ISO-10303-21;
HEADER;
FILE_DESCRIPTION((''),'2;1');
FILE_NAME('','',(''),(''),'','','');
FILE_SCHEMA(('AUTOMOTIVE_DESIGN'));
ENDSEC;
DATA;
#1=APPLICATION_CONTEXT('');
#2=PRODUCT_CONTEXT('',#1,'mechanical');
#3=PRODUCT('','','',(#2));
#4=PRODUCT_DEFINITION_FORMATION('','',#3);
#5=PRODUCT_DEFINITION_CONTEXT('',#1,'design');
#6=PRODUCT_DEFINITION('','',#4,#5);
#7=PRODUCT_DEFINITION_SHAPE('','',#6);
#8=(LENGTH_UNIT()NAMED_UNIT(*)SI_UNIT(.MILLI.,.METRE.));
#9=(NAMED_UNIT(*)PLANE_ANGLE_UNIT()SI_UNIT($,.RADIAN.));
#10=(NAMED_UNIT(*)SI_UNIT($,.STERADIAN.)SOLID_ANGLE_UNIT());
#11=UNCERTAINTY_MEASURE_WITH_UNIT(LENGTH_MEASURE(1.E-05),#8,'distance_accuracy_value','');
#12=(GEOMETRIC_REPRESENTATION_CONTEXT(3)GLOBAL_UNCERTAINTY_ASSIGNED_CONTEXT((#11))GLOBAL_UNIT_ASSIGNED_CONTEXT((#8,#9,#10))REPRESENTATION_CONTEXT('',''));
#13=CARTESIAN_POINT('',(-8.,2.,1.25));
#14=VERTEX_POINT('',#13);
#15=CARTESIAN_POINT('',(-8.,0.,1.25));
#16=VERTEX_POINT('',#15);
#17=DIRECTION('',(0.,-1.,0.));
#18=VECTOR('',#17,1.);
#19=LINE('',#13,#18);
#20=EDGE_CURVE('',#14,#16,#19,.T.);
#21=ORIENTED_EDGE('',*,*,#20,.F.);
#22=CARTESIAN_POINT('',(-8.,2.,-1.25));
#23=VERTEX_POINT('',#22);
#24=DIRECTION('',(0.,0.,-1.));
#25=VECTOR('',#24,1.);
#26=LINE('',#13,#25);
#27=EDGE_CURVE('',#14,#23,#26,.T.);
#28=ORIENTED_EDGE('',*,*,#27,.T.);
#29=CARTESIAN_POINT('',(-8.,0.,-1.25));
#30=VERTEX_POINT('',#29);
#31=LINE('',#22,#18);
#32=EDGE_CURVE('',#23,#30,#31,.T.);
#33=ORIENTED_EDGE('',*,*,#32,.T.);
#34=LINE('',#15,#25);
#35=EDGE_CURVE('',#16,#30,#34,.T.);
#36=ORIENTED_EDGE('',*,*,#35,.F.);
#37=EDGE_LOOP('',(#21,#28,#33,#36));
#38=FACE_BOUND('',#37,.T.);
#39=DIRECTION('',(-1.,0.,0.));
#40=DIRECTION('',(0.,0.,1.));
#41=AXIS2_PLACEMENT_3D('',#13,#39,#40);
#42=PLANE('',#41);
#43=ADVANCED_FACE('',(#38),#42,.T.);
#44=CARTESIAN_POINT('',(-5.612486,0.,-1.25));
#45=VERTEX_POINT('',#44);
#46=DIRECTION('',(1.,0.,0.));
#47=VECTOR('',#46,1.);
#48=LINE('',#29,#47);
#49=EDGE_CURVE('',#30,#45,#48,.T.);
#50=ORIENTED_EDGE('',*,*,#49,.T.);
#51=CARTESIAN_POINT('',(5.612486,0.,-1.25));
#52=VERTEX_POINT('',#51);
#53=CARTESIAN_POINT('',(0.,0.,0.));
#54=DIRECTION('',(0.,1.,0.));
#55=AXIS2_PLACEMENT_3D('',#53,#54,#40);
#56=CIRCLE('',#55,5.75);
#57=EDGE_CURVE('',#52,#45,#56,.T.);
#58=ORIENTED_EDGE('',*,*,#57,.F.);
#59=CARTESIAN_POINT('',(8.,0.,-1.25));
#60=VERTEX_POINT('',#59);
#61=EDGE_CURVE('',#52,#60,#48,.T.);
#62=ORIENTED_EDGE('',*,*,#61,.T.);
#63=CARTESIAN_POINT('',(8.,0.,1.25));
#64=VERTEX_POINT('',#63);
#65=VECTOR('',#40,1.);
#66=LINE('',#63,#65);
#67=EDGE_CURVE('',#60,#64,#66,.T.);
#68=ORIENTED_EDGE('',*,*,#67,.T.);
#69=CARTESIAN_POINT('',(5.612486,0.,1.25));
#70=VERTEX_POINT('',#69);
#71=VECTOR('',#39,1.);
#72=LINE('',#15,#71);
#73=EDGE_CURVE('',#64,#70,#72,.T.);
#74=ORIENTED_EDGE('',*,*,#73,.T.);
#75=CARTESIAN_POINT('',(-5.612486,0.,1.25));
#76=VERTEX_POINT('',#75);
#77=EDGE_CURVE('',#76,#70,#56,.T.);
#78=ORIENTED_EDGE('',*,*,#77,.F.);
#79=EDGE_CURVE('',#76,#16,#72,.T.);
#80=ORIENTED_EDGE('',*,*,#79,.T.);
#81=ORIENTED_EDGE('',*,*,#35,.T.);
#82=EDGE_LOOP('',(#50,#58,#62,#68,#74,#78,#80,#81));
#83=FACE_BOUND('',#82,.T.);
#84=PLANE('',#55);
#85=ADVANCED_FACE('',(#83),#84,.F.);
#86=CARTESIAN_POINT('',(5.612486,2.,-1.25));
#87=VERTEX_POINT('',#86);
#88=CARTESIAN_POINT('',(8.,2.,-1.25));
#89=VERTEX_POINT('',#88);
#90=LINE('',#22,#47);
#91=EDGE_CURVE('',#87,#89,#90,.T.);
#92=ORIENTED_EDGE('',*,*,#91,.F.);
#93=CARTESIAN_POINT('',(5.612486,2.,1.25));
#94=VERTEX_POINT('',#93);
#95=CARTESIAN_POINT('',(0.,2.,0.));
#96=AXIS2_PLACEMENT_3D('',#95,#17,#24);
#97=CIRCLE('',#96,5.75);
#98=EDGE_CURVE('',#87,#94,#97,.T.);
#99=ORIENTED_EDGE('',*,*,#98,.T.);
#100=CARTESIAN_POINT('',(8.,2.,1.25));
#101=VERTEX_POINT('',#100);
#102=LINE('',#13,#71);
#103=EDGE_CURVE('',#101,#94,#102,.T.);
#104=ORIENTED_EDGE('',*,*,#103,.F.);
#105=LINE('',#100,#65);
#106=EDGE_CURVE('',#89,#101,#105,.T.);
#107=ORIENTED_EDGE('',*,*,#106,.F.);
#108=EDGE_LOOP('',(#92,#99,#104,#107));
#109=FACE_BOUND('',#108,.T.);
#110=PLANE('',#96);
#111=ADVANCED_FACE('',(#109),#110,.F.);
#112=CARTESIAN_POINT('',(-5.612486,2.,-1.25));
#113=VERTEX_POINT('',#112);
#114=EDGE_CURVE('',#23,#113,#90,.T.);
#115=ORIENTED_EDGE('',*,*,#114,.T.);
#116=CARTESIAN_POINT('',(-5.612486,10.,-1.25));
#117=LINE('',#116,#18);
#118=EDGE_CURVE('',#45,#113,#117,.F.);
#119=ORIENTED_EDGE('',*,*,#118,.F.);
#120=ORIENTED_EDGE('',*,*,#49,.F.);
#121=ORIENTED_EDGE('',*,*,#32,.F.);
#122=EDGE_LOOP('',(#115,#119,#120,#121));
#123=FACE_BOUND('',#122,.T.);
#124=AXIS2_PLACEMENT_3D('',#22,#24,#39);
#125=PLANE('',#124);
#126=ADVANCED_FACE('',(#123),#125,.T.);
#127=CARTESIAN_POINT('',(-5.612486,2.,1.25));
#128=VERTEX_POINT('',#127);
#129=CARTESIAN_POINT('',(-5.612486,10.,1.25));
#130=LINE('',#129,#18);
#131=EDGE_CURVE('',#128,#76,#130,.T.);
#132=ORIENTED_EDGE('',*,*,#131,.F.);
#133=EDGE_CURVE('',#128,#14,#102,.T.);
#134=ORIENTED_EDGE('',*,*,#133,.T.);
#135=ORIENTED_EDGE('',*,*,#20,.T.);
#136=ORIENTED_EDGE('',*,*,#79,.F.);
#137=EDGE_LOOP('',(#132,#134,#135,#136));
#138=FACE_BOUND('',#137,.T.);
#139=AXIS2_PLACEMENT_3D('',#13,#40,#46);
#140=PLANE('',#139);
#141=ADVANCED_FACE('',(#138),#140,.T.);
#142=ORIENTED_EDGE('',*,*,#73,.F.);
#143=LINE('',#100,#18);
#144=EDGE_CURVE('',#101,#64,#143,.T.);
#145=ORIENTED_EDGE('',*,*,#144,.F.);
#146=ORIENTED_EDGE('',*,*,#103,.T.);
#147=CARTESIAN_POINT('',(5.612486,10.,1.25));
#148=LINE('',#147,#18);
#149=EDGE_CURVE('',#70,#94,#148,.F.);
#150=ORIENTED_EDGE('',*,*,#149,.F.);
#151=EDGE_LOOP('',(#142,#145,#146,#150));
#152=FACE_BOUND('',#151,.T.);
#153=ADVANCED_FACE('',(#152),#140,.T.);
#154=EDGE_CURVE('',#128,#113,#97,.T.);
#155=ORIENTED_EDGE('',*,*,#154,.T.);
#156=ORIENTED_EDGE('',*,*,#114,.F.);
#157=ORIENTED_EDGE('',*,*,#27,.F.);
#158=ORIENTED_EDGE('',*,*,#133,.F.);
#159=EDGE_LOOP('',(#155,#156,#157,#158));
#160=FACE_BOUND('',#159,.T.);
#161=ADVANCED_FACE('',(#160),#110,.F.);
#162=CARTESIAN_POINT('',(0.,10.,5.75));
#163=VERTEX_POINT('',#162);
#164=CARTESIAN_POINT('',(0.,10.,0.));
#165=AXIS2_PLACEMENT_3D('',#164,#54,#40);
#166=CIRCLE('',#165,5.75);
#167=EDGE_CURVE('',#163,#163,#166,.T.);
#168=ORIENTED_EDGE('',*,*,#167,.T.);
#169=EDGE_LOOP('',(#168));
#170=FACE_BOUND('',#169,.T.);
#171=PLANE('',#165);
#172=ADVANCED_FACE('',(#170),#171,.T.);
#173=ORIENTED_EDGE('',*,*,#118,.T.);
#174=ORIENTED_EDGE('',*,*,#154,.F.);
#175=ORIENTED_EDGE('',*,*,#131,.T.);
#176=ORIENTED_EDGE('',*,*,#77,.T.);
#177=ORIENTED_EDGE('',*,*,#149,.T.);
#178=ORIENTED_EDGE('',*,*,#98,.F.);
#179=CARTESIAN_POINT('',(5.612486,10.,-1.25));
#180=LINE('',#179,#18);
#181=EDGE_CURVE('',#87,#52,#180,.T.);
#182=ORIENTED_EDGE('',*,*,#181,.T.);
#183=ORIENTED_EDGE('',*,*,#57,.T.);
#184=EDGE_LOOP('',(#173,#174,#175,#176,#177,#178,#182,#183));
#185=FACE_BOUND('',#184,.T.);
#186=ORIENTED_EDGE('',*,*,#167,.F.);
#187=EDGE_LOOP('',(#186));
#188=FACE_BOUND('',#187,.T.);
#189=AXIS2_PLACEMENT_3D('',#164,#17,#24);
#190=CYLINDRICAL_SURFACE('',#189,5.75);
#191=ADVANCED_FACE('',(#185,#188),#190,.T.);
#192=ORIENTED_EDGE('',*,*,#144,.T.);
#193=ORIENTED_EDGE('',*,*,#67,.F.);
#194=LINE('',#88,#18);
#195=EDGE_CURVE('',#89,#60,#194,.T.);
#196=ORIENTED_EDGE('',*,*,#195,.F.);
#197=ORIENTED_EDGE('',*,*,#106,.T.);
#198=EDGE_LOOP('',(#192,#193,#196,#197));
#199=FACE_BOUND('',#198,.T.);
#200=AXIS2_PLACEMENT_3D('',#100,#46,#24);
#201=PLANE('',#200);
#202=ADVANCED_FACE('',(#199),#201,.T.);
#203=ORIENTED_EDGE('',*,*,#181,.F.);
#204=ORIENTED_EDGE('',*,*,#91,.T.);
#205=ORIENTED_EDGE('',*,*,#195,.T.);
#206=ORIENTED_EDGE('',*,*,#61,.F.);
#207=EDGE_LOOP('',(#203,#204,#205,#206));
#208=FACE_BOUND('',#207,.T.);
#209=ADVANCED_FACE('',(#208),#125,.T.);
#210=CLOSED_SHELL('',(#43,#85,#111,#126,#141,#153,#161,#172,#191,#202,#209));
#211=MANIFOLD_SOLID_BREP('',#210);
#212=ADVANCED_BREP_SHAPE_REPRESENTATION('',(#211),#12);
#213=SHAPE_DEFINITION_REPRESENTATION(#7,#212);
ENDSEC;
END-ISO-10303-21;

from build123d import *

# Parameters (mm, degrees)
SKETCH1_R           = 5.75
BOSS_EXTRUDE1_DEPTH = 10
SKETCH2_W           = 16
SKETCH2_H           = 2.5
BOSS_EXTRUDE2_DEPTH = 2


with BuildPart() as part:
    # Sketch1 → Boss-Extrude1 (new body)
    with BuildSketch(Plane(origin=(0, 0, 0), x_dir=(1, 0, 0), z_dir=(0, 1, 0))):
        Circle(SKETCH1_R)
    extrude(amount=BOSS_EXTRUDE1_DEPTH)

    # Sketch2 → Boss-Extrude2 (add)
    with BuildSketch(Plane(origin=(0, 0, 0), x_dir=(-1, 0, 0), z_dir=(0, -1, 0))):
        Rectangle(SKETCH2_W, SKETCH2_H)
    extrude(amount=-BOSS_EXTRUDE2_DEPTH)


solid = part.part
